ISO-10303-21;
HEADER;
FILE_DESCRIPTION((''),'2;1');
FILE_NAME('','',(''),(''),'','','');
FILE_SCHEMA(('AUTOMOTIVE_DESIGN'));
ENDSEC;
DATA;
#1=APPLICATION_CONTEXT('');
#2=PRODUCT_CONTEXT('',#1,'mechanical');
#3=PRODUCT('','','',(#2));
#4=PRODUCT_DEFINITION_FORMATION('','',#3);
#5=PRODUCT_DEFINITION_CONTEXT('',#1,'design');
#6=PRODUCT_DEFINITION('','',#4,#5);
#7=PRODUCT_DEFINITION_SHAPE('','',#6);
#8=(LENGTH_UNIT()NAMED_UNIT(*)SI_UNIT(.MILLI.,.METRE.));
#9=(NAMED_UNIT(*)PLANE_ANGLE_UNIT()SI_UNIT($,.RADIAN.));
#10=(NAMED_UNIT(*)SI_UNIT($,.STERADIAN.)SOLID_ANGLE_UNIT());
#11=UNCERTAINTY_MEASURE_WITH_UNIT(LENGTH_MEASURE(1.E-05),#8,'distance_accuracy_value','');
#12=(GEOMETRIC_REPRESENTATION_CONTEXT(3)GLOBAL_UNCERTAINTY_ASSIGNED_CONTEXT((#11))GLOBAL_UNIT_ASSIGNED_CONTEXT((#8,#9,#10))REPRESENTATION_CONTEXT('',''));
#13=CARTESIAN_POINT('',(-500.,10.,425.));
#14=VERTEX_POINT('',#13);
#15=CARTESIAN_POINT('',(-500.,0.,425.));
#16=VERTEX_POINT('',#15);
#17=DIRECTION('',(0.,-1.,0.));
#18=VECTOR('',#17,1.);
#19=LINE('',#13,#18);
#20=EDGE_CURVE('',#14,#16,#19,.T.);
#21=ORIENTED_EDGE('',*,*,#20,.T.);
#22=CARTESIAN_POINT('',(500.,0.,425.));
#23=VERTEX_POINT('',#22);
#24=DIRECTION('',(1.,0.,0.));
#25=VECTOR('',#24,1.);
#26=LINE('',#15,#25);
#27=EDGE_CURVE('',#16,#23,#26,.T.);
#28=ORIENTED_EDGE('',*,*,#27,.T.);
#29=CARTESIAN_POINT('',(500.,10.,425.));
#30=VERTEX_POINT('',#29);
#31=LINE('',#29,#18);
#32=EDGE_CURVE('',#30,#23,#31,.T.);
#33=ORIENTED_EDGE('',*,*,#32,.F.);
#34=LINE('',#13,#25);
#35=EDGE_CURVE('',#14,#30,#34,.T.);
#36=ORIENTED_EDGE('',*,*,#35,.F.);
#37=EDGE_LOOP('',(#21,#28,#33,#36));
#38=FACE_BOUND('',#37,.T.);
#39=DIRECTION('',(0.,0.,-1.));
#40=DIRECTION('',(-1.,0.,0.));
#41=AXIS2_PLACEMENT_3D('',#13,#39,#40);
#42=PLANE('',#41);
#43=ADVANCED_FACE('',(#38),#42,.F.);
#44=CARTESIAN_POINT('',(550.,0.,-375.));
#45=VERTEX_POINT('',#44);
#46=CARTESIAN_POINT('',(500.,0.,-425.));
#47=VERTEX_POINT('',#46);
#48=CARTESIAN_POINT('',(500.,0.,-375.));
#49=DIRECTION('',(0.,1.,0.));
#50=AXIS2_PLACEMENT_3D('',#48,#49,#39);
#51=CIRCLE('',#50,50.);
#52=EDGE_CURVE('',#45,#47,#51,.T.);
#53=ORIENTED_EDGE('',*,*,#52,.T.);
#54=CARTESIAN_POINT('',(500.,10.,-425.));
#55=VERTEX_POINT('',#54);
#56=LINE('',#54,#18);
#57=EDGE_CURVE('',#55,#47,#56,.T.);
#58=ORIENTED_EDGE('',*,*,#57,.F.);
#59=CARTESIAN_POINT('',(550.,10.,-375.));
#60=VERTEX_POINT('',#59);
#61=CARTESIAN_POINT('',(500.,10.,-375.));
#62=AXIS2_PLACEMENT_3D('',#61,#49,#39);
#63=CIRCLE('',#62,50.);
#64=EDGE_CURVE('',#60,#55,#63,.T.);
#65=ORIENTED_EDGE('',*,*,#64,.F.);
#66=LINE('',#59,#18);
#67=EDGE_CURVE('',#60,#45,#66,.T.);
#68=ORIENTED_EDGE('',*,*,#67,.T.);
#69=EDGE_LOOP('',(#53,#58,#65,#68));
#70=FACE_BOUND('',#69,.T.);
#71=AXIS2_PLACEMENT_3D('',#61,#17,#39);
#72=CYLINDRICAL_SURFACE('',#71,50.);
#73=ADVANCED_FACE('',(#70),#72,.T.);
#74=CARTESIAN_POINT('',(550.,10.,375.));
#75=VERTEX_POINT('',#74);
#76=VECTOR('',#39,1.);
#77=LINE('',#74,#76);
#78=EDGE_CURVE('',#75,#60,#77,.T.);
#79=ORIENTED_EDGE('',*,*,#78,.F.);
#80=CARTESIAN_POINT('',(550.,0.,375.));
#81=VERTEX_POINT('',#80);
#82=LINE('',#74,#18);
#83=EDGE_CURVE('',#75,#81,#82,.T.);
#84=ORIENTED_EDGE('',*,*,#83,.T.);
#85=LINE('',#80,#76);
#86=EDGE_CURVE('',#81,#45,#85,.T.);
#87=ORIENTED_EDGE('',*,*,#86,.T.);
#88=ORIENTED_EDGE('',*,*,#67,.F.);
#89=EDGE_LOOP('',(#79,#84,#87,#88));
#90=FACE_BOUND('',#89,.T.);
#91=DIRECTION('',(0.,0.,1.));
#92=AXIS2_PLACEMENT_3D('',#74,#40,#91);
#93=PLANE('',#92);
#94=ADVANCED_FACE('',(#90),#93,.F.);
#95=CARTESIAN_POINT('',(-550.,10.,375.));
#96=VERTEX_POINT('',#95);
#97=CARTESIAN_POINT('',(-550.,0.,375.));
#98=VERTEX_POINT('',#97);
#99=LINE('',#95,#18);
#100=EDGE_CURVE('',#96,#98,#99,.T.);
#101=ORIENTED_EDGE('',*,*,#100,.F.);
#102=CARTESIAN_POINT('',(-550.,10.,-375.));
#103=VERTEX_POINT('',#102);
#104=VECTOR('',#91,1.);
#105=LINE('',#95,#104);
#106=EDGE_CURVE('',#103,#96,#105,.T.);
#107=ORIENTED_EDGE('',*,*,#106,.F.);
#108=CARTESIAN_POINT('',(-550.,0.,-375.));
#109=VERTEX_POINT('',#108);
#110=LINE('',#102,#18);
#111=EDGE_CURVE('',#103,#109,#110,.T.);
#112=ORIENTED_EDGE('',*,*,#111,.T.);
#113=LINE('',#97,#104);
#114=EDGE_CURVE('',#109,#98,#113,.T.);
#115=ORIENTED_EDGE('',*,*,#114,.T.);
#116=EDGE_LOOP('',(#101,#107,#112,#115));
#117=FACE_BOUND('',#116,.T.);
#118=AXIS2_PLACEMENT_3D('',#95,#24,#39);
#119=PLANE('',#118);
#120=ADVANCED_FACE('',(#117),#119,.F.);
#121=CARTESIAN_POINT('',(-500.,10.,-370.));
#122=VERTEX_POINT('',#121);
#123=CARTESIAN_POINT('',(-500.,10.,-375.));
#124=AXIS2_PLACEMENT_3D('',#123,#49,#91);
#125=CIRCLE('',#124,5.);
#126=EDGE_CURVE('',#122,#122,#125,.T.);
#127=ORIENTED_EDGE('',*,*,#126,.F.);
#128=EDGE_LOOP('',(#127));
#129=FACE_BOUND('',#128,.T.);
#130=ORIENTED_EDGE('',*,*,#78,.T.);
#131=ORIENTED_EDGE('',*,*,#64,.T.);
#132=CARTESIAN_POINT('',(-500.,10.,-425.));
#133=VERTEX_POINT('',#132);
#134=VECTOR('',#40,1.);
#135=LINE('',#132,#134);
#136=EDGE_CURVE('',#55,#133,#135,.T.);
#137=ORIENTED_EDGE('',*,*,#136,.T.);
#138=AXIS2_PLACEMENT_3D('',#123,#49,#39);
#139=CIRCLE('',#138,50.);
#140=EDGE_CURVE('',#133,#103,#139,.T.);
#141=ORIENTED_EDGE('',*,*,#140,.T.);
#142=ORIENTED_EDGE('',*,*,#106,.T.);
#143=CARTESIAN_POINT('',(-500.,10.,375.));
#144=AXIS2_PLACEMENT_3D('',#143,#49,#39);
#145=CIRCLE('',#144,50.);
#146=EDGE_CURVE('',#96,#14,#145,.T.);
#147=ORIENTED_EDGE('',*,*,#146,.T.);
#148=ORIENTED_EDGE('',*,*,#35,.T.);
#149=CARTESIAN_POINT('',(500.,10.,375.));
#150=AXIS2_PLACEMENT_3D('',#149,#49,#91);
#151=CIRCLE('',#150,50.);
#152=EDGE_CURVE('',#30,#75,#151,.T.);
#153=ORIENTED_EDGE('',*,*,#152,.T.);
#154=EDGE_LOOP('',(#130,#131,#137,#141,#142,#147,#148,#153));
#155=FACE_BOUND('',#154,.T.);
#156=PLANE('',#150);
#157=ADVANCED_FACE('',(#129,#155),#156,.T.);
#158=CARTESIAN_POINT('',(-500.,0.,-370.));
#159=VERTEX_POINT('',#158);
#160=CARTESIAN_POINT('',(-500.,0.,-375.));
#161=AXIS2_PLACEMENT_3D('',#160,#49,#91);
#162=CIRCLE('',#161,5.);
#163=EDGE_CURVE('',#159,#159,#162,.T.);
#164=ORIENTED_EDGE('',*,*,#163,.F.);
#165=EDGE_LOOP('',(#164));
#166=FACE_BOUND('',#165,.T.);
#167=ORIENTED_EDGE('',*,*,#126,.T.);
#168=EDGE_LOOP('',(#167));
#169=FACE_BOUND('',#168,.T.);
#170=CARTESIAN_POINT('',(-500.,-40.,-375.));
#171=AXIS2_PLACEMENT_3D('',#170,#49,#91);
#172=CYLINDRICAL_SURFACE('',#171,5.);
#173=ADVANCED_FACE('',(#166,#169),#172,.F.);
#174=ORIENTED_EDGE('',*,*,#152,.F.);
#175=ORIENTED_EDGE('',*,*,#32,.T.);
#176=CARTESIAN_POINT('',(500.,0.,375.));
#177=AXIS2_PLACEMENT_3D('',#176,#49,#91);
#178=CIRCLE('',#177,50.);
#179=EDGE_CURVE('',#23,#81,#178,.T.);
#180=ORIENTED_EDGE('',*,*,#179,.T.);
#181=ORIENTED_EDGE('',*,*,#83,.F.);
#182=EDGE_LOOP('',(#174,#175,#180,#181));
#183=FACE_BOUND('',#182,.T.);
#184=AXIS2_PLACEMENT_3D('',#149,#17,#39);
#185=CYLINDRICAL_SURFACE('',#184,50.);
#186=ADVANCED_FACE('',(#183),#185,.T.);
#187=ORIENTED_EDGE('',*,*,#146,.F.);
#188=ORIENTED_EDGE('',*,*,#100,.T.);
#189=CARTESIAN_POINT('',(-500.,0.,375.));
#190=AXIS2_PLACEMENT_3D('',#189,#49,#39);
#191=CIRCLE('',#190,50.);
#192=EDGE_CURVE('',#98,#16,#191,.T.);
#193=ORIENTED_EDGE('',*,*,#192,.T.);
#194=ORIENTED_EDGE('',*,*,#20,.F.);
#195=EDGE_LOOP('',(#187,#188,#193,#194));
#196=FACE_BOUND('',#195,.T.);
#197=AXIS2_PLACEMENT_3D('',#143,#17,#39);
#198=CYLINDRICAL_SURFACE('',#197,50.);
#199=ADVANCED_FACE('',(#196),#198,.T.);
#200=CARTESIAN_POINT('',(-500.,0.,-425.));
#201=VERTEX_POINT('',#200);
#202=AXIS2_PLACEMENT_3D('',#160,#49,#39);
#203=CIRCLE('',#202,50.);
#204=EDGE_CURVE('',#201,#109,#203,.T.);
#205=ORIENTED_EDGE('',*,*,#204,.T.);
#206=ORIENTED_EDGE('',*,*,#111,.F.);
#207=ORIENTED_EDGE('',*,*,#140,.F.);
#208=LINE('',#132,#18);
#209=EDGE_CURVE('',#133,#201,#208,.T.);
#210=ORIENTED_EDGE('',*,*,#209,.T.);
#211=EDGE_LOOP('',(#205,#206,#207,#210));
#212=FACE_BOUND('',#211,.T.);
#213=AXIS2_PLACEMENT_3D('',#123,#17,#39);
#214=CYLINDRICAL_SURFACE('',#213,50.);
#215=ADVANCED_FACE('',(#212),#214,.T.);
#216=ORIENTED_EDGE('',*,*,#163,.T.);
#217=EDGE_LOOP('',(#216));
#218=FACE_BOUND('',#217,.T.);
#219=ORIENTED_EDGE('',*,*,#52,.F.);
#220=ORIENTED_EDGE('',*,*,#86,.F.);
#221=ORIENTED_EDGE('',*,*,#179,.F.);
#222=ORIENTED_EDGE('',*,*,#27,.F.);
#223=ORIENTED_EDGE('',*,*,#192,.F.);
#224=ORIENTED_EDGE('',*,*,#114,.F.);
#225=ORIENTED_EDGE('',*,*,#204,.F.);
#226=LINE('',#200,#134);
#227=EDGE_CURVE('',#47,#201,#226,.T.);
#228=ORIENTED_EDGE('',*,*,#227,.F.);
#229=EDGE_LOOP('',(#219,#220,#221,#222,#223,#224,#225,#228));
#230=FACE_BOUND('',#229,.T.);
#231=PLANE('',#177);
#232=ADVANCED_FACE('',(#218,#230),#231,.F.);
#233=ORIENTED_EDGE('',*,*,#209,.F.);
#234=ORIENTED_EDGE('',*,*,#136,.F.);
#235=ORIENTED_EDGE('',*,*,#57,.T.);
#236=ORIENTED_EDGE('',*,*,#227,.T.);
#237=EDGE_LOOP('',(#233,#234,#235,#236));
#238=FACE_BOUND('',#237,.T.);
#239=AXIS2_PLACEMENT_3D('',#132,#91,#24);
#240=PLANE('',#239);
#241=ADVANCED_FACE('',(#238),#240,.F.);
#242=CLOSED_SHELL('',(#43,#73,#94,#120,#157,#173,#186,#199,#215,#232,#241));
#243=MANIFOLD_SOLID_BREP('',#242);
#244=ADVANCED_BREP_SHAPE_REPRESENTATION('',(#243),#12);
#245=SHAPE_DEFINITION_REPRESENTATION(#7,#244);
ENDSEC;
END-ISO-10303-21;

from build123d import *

# Parameters (mm, degrees)
BOSS_EXTRUDE1_DEPTH = 10
SKETCH2_R           = 5
CUT_EXTRUDE1_DEPTH  = 50


with BuildPart() as part:
    # Sketch1 → Boss-Extrude1 (new body)
    with BuildSketch(Plane(origin=(0, 0, 0), x_dir=(1, 0, 0), z_dir=(0, 1, 0))):
        with BuildLine():
            Line((-500, -425), (500, -425))
            ThreePointArc((500, -425), (535.355339059, -410.355339059), (550, -375))
            Line((550, -375), (550, 375))
            ThreePointArc((550, 375), (535.355339059, 410.355339059), (500, 425))
            Line((500, 425), (-500, 425))
            ThreePointArc((-500, 425), (-535.355339059, 410.355339059), (-550, 375))
            Line((-550, 375), (-550, -375))
            ThreePointArc((-550, -375), (-535.355339059, -410.355339059), (-500, -425))
        make_face()
    extrude(amount=BOSS_EXTRUDE1_DEPTH)

    # Sketch2 → Cut-Extrude1 (cut)
    with BuildSketch(Plane(origin=(0, 10, 0), x_dir=(1, 0, 0), z_dir=(0, 1, 0))):
        with Locations(Location((-500, 375, 0), (0, 0, 270))):
            Circle(SKETCH2_R)
    extrude(amount=-CUT_EXTRUDE1_DEPTH, mode=Mode.SUBTRACT)


solid = part.part
